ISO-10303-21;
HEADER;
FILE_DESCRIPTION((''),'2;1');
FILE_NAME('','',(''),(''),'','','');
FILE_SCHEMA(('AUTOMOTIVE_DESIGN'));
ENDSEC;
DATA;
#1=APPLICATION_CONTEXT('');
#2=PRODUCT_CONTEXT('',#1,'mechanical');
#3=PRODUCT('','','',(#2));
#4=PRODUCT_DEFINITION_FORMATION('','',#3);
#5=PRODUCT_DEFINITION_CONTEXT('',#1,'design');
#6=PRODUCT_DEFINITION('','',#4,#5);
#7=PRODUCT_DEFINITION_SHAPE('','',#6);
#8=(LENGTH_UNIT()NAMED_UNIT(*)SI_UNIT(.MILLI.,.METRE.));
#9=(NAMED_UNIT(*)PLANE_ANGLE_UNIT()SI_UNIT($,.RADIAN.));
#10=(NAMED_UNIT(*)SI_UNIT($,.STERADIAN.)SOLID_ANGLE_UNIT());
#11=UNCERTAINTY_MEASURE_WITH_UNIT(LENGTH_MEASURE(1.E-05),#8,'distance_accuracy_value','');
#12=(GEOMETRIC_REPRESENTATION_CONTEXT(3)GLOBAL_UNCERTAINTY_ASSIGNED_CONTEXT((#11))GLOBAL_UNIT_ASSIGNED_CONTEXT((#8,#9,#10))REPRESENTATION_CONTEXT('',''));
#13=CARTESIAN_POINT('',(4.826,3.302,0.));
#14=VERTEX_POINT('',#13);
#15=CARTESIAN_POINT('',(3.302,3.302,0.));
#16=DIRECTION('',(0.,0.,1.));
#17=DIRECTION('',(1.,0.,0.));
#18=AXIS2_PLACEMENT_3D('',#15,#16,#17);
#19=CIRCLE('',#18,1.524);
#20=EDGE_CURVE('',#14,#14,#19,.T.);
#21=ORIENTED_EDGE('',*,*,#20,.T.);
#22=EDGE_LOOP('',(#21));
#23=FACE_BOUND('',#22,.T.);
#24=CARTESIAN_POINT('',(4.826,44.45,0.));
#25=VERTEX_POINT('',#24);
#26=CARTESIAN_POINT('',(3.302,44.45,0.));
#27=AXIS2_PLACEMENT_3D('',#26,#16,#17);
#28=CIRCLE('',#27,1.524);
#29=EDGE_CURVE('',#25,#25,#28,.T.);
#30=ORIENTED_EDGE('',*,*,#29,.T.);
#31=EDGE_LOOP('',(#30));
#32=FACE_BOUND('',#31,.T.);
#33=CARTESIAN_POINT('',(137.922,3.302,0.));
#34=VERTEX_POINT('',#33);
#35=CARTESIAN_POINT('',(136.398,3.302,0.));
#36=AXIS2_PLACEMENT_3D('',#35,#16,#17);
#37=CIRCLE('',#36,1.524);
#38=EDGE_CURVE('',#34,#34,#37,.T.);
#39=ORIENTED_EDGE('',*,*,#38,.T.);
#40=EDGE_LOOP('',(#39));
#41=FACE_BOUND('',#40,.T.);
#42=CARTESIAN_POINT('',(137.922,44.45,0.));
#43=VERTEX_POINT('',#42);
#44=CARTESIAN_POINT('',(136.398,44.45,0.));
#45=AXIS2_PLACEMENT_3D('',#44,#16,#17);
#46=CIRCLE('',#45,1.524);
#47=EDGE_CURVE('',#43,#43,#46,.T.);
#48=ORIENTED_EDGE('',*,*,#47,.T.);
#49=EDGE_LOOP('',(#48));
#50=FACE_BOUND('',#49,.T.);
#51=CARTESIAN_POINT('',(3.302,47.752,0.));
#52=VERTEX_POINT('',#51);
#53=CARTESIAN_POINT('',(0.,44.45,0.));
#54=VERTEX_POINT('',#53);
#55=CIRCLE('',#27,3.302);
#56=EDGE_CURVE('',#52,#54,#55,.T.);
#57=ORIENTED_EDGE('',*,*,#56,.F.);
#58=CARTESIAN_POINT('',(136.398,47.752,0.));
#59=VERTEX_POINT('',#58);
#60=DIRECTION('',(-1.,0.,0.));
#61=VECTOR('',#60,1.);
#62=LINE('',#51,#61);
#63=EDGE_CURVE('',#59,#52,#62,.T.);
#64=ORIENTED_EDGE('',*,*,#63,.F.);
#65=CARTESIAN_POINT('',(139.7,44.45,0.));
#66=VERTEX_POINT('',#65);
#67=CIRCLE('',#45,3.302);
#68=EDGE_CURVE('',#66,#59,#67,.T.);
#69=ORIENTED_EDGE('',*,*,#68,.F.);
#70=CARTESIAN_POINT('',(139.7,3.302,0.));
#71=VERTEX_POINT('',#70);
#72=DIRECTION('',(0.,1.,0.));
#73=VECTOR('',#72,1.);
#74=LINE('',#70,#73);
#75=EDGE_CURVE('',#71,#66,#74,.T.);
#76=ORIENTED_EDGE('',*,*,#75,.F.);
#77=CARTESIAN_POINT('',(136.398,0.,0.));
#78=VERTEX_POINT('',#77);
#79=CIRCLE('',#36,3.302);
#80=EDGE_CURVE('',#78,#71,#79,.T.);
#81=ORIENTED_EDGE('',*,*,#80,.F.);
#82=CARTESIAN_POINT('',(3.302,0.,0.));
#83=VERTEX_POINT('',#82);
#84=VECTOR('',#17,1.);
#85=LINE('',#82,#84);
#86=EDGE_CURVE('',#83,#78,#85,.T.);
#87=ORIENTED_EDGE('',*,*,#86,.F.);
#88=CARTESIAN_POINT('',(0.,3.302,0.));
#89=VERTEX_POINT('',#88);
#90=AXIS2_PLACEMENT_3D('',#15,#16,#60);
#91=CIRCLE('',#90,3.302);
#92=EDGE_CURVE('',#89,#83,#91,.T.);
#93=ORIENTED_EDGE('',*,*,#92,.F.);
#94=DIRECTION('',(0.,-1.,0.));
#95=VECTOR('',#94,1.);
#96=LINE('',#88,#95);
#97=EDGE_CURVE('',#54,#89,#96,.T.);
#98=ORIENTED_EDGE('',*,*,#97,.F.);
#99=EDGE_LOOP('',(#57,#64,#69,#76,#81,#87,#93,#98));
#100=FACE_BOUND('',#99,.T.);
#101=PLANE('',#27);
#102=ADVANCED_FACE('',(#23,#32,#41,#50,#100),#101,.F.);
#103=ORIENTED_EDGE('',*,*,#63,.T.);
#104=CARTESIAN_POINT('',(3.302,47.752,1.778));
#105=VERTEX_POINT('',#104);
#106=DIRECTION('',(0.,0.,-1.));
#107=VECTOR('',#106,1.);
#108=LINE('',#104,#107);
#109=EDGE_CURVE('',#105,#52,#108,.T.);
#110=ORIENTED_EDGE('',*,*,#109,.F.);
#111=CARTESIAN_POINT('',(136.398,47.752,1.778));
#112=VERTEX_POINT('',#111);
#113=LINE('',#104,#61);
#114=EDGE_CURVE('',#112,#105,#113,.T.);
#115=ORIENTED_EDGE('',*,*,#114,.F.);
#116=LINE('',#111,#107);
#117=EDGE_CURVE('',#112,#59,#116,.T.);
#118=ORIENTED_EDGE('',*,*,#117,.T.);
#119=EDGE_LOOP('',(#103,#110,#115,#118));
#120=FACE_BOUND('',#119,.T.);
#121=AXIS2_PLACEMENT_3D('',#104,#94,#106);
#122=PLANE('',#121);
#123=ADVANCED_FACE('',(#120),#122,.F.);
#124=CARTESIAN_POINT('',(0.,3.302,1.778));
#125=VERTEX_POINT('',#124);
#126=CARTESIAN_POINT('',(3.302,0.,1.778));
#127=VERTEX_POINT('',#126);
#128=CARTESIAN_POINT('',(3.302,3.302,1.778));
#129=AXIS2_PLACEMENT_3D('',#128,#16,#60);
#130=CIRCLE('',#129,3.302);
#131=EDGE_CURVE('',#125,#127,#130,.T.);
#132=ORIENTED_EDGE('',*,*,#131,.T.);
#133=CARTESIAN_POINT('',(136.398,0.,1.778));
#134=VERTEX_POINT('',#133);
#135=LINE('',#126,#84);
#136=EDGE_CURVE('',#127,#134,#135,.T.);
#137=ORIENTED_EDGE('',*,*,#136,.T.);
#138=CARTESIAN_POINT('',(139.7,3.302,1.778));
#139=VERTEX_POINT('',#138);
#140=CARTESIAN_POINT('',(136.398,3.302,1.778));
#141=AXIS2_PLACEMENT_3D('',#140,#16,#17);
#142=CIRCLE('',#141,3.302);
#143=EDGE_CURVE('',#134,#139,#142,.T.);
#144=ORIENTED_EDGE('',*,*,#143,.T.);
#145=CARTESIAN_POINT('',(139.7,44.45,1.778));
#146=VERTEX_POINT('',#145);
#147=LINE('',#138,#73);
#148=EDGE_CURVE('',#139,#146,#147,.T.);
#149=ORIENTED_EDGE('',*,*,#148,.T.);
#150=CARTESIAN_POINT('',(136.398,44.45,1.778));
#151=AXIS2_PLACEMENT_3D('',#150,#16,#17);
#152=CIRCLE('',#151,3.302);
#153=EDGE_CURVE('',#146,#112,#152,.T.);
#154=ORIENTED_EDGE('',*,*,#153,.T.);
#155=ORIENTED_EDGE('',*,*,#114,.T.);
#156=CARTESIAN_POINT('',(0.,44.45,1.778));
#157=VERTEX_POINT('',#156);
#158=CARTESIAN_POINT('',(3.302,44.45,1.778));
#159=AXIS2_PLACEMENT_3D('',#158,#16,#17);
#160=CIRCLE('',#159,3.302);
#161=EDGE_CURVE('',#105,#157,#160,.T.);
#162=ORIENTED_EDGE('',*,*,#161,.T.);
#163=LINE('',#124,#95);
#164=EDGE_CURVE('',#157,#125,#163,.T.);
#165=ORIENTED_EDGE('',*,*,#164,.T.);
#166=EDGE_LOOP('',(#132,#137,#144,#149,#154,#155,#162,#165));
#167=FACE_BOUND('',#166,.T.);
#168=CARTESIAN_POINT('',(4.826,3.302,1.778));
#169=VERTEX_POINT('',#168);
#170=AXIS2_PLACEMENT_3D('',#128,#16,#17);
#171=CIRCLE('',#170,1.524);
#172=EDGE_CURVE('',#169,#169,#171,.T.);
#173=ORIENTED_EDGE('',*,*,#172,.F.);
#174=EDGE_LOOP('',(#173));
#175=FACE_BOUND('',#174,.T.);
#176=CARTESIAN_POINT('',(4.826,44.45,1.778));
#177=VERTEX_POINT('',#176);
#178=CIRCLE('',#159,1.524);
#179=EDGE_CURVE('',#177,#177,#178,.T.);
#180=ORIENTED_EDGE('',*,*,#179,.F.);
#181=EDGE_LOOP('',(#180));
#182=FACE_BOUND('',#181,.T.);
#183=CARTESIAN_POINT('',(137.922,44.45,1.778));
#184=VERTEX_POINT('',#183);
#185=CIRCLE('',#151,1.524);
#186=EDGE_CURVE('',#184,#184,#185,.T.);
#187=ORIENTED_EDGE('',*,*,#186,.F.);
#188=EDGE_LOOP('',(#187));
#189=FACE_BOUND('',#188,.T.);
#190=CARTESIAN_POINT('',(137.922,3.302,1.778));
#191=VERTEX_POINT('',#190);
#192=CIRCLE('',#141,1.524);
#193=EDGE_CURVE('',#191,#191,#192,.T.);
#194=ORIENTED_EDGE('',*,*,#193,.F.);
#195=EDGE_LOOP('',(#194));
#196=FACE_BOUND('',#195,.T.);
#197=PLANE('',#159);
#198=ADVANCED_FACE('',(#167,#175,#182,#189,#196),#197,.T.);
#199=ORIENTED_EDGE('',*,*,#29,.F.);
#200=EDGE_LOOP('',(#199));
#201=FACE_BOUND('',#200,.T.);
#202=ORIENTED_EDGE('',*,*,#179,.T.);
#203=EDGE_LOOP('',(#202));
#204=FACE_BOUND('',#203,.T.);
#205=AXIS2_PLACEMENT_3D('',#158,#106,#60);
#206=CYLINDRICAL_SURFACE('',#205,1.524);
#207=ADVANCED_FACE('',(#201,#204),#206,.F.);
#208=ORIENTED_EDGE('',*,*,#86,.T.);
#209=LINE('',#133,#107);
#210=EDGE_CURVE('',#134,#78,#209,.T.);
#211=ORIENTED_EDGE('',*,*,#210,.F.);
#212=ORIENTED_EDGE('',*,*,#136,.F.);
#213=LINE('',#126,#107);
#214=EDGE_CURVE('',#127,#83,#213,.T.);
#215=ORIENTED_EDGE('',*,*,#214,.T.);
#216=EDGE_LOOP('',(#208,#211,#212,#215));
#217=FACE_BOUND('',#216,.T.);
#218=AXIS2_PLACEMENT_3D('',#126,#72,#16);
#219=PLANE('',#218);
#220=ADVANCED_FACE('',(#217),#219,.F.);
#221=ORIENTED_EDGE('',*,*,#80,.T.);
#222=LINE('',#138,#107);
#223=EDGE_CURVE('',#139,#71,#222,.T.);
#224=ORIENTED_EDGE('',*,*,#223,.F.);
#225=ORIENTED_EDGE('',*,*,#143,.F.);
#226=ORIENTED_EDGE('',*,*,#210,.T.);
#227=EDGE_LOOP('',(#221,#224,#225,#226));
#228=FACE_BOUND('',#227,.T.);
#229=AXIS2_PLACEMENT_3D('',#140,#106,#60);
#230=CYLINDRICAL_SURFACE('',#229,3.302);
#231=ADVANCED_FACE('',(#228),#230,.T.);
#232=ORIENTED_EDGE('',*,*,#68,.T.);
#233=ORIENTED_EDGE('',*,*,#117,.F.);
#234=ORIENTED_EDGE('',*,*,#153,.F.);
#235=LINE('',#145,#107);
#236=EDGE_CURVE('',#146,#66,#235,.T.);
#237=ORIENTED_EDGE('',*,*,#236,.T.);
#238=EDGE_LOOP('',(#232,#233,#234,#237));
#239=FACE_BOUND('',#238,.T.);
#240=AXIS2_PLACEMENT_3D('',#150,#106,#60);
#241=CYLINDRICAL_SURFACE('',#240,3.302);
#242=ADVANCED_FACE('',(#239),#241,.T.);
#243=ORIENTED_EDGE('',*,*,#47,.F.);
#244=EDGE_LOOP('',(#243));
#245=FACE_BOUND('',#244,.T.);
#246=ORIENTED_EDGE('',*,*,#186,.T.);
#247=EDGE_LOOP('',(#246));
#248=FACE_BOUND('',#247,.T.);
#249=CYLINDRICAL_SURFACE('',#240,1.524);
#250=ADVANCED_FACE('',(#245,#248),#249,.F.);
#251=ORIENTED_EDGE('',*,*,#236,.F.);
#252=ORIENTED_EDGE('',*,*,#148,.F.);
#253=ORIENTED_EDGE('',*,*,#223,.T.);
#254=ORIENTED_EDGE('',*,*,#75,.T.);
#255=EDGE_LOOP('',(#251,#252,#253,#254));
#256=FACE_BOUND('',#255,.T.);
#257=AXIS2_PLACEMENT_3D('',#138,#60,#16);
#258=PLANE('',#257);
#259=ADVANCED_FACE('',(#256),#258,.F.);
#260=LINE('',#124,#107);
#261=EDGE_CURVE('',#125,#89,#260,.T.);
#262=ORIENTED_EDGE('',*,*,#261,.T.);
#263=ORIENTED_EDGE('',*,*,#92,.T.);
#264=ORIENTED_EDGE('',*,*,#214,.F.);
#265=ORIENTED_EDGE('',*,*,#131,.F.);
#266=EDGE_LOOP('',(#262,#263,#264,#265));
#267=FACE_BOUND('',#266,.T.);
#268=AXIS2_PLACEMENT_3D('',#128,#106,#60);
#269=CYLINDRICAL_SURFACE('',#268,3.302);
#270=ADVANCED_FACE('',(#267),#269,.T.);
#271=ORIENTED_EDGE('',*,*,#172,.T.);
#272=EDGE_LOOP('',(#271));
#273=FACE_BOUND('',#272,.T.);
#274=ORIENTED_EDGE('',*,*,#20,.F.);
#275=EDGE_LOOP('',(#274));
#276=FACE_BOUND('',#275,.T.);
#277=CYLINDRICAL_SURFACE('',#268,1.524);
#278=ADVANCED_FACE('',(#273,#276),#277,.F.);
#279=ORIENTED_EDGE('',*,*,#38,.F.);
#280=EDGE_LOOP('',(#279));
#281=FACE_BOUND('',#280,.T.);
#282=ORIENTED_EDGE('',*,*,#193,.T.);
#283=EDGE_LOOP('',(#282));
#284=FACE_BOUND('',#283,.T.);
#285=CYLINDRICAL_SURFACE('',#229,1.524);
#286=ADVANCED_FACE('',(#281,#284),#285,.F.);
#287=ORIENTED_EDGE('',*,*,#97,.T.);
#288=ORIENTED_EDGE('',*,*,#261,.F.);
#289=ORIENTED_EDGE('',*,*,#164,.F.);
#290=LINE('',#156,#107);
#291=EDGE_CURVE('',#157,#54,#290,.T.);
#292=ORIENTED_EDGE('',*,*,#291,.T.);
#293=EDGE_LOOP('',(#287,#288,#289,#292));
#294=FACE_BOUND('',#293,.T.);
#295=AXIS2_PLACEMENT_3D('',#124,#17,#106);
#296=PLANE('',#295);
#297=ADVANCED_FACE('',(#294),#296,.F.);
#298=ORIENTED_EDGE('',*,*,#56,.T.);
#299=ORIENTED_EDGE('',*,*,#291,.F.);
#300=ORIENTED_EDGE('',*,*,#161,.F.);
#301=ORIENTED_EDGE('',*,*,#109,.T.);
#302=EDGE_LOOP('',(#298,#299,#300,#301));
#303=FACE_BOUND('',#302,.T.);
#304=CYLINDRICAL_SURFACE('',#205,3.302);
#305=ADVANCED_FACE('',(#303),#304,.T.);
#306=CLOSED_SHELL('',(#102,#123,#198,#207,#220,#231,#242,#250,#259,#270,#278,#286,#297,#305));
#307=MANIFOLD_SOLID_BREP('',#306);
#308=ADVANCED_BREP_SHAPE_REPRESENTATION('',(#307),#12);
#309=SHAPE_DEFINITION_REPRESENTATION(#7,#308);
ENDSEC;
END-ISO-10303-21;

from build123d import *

# Parameters (mm, degrees)
SKETCH_1_R      = 1.524
EXTRUDE_1_DEPTH = 1.778


with BuildPart() as part:
    # 草图1 → 凸台-拉伸1 (new body)
    with BuildSketch(Plane.XY):
        with BuildLine():
            Line((3.302, 0), (136.398, 0))
            ThreePointArc((136.398, 0), (138.732866591, 0.967133409), (139.7, 3.302))
            Line((139.7, 3.302), (139.7, 44.45))
            ThreePointArc((139.7, 44.45), (138.732866591, 46.784866591), (136.398, 47.752))
            Line((136.398, 47.752), (3.302, 47.752))
            ThreePointArc((3.302, 47.752), (0.967133409, 46.784866591), (0, 44.45))
            Line((0, 44.45), (0, 3.302))
            ThreePointArc((0, 3.302), (0.967133409, 0.967133409), (3.302, 0))
        make_face()
        with Locations((3.302, 44.45)):
            Circle(SKETCH_1_R, mode=Mode.SUBTRACT)
        with Locations((136.398, 44.45)):
            Circle(SKETCH_1_R, mode=Mode.SUBTRACT)
        with Locations((136.398, 3.302)):
            Circle(SKETCH_1_R, mode=Mode.SUBTRACT)
        with Locations((3.302, 3.302)):
            Circle(SKETCH_1_R, mode=Mode.SUBTRACT)
    extrude(amount=EXTRUDE_1_DEPTH)


solid = part.part
